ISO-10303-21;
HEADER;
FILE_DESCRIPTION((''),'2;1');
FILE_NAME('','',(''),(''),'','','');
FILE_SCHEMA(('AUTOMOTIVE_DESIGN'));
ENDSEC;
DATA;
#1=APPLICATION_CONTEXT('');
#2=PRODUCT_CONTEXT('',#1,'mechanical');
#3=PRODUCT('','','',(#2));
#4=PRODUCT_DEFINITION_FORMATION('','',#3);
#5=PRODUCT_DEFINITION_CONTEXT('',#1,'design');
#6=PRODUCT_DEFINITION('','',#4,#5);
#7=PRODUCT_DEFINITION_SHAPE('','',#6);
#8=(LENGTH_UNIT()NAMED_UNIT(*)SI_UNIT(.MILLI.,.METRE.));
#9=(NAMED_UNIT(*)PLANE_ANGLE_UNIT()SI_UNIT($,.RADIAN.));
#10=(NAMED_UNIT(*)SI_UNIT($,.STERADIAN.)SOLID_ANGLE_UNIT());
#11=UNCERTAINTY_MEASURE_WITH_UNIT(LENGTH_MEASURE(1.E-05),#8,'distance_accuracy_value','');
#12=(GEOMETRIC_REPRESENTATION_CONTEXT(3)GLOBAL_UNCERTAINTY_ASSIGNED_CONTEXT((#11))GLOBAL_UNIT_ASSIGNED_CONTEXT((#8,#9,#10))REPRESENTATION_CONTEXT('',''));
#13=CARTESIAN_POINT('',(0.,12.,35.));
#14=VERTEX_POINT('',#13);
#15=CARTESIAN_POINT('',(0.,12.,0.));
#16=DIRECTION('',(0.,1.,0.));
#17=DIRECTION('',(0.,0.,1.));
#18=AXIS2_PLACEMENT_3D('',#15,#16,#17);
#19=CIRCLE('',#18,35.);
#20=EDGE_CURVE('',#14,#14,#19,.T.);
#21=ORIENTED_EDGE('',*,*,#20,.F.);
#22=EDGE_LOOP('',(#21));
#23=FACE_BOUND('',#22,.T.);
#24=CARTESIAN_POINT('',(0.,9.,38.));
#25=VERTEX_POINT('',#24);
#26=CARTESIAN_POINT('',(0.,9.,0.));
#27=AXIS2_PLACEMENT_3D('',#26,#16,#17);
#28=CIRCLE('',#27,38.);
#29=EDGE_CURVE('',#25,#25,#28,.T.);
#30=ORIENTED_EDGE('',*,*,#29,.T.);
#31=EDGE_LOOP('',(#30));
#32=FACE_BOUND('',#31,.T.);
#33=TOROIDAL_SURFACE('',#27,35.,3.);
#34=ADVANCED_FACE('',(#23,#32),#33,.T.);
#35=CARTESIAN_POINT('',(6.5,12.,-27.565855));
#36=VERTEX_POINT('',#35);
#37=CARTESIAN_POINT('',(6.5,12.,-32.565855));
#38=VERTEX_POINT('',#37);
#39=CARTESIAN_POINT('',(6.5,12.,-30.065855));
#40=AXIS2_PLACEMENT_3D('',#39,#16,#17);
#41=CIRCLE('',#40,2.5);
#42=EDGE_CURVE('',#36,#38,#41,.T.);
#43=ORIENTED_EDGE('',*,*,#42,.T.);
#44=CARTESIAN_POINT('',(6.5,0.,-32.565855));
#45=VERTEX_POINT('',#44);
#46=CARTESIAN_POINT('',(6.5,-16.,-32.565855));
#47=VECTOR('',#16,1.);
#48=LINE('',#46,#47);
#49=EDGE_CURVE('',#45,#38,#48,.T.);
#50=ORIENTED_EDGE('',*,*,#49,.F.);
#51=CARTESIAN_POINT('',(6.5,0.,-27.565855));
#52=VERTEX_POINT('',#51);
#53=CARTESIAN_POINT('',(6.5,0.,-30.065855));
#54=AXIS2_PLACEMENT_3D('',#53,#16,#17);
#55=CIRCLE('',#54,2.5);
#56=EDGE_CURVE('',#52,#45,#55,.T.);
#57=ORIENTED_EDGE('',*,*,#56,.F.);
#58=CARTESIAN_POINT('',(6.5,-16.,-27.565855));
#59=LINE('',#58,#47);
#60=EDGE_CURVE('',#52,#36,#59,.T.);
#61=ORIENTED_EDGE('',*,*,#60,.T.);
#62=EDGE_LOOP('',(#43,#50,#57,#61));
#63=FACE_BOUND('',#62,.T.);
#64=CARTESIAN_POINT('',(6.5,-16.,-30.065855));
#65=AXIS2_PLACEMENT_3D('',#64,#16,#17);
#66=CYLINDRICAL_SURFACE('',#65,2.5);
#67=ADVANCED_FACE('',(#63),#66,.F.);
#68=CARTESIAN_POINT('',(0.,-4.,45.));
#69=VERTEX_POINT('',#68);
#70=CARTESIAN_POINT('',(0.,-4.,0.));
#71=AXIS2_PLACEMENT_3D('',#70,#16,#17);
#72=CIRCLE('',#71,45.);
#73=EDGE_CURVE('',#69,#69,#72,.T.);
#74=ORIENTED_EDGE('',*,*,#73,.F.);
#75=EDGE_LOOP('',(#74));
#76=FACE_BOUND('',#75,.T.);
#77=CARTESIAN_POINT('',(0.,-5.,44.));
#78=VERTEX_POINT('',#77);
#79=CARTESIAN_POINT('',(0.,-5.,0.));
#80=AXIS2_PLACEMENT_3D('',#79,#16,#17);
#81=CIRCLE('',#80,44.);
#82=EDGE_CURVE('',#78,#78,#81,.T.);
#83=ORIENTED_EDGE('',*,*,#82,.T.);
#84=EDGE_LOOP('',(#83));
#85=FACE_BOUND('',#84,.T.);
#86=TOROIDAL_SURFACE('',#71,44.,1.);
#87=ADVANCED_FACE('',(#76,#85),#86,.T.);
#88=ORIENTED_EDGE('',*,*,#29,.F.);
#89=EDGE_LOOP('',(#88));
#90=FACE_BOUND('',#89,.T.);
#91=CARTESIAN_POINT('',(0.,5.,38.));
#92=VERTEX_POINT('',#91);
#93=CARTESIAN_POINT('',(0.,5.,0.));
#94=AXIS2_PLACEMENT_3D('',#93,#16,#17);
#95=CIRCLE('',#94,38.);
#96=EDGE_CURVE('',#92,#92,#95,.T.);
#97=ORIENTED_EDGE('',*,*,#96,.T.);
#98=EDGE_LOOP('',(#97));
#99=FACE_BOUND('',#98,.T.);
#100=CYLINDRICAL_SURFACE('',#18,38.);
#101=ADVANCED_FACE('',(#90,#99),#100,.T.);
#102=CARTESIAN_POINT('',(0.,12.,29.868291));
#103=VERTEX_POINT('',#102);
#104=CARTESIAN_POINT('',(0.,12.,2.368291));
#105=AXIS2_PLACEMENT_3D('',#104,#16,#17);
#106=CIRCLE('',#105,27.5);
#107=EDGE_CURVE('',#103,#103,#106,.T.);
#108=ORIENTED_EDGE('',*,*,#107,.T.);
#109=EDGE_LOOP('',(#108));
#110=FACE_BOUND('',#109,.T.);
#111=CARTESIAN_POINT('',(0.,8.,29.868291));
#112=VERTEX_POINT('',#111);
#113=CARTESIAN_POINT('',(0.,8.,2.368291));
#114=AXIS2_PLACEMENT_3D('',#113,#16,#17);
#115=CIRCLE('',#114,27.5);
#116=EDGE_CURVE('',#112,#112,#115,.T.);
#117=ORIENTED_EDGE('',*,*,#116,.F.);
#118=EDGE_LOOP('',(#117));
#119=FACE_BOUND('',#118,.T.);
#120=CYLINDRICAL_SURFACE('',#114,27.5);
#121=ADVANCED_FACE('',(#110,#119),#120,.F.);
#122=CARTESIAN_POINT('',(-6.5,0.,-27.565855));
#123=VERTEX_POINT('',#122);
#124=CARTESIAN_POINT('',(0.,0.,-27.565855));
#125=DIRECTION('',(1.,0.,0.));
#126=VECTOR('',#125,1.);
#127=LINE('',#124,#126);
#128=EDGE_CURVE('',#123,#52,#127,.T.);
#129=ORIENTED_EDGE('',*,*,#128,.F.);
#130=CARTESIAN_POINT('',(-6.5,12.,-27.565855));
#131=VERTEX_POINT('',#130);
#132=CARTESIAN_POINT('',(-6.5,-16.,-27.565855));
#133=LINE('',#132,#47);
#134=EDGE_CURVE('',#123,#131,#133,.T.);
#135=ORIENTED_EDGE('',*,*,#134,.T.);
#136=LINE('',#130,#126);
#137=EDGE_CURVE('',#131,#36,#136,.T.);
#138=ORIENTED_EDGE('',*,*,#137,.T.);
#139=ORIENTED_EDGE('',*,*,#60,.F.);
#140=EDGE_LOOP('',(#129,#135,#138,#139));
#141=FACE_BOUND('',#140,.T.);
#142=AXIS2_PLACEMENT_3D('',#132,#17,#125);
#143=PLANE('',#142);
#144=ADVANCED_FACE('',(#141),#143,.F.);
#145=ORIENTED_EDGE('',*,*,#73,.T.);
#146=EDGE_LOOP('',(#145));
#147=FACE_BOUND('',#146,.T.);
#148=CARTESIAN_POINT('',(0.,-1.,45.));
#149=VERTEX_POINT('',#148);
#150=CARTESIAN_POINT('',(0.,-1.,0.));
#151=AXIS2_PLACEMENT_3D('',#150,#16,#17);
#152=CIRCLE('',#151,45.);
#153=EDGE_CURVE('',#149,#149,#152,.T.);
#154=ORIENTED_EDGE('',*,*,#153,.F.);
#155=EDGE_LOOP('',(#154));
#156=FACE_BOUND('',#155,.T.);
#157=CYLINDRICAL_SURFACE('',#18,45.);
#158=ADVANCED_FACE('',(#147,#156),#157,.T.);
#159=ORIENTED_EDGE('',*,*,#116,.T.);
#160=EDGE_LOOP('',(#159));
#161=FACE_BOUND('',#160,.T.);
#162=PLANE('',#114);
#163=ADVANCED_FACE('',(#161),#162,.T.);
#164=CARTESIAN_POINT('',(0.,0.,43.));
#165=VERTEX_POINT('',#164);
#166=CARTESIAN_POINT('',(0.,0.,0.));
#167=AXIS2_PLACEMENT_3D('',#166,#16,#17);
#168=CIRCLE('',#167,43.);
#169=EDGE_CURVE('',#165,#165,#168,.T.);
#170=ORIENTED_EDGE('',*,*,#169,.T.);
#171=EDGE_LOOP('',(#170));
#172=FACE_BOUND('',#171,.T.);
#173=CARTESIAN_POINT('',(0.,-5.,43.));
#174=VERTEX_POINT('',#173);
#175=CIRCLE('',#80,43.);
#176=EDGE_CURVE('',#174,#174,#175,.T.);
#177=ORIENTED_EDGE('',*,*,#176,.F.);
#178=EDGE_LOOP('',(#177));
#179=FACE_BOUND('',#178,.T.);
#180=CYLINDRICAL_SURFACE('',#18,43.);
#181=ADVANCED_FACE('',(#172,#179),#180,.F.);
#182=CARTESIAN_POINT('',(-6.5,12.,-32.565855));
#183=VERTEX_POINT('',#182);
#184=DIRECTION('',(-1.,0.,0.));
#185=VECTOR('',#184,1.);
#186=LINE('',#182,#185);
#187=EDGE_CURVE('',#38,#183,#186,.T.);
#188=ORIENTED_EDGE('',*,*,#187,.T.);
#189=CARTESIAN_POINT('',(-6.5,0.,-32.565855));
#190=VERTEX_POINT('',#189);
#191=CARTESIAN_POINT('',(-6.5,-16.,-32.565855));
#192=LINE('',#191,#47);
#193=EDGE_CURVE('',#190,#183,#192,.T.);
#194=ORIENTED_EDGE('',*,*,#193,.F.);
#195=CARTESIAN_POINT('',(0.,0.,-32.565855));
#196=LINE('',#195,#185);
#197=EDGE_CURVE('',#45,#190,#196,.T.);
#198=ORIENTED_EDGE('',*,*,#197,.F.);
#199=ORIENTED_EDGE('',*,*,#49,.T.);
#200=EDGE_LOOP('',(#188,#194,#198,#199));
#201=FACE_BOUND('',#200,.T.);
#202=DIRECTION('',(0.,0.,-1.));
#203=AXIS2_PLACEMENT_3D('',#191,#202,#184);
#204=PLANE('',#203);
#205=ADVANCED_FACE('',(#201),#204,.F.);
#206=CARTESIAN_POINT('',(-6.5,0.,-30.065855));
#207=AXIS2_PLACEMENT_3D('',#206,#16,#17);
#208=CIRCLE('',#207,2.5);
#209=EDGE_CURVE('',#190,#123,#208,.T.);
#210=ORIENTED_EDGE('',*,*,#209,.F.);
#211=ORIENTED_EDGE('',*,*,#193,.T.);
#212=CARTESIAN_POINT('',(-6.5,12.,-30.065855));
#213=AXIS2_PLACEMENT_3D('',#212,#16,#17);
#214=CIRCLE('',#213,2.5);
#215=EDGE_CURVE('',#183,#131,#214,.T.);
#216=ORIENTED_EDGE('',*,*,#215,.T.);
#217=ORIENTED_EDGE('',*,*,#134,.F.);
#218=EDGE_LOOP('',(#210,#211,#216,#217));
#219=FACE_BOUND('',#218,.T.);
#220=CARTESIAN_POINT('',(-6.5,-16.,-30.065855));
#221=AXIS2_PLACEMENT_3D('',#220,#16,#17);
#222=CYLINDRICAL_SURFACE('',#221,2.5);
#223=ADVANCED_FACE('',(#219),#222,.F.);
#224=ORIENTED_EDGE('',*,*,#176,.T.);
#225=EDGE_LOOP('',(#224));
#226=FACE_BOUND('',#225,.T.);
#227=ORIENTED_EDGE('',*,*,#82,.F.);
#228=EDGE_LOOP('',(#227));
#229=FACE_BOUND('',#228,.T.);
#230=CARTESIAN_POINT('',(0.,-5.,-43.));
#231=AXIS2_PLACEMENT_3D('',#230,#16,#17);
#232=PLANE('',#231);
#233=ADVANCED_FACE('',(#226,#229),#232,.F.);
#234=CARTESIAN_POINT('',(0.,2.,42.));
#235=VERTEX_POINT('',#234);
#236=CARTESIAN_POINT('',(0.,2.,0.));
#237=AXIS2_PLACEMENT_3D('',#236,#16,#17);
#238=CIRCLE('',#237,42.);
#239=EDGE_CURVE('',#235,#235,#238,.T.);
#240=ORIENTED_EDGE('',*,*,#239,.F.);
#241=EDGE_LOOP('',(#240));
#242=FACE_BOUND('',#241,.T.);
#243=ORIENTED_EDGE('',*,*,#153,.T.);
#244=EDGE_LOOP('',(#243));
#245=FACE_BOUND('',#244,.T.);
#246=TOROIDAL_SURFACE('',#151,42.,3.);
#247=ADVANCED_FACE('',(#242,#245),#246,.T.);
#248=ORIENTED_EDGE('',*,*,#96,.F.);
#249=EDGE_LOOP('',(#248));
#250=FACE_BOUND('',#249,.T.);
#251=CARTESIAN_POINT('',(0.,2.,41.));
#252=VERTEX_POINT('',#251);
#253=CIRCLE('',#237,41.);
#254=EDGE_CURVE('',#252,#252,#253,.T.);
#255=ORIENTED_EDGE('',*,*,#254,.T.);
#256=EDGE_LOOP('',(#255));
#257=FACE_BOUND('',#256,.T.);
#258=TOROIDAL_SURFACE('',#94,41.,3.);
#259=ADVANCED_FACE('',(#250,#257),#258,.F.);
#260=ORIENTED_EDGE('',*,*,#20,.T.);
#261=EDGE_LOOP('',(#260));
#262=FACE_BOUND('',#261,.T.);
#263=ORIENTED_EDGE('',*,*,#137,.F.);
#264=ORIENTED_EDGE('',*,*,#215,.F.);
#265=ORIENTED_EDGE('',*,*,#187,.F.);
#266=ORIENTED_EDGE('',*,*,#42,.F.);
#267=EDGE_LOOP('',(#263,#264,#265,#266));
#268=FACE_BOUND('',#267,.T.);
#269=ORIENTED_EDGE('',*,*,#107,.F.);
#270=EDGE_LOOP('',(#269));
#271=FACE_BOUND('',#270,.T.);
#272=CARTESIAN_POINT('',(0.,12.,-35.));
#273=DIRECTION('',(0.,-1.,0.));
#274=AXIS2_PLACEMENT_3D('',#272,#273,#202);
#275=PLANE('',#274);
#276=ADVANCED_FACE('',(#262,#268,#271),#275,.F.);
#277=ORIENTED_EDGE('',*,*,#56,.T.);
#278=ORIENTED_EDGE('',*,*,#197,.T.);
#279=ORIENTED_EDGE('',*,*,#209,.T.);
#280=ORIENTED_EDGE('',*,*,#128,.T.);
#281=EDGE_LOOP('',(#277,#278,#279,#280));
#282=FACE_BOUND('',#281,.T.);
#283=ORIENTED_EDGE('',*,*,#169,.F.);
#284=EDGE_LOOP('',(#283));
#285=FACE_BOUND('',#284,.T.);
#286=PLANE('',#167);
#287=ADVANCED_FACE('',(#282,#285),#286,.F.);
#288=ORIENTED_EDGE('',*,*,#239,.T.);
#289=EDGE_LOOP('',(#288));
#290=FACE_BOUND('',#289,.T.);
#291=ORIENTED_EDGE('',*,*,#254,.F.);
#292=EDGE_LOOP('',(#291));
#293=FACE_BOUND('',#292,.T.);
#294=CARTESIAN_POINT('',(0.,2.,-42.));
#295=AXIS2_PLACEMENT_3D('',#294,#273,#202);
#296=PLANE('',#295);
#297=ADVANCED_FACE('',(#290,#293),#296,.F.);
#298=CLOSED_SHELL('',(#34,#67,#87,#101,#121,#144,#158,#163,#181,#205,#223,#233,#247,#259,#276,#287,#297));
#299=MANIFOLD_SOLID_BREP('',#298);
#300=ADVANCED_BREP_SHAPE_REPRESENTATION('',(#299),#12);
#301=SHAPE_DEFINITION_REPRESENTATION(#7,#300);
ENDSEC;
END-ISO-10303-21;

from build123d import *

# Parameters (mm, degrees)
SKETCH2_R          = 27.5
CUT_EXTRUDE1_DEPTH = 4
CUT_EXTRUDE2_DEPTH = 28


with BuildPart() as part:
    # Sketch1 → Revolve1 (revolve)
    with BuildSketch(Plane(origin=(0, 0, 0), x_dir=(0, 0, -1), z_dir=(1, 0, 0))):
        with BuildLine():
            Line((0, 0), (43, 0))
            Line((43, 0), (43, -5))
            Line((43, -5), (44, -5))
            ThreePointArc((44, -5), (44.707106781, -4.707106781), (45, -4))
            Line((45, -4), (45, -1))
            ThreePointArc((45, -1), (44.121320344, 1.121320344), (42, 2))
            Line((42, 2), (41, 2))
            ThreePointArc((41, 2), (38.878679656, 2.878679656), (38, 5))
            Line((38, 5), (38, 9))
            ThreePointArc((38, 9), (37.121320344, 11.121320344), (35, 12))
            Line((35, 12), (0, 12))
            Line((0, 12), (0, 0))
        make_face()
    revolve(axis=Axis((0, 12, 0), (0, -1, 0)))

    # Sketch2 → Cut-Extrude1 (cut)
    with BuildSketch(Plane(origin=(0, 12, 0), x_dir=(1, 0, 0), z_dir=(0, 1, 0))):
        with Locations((0, -2.368290616)):
            Circle(SKETCH2_R)
    extrude(amount=-CUT_EXTRUDE1_DEPTH, mode=Mode.SUBTRACT)

    # Sketch3 → Cut-Extrude2 (cut)
    with BuildSketch(Plane(origin=(0, 12, 0), x_dir=(1, 0, 0), z_dir=(0, 1, 0))):
        with BuildLine():
            Line((-6.5, 32.565854692), (6.5, 32.565854692))
            ThreePointArc((6.5, 32.565854692), (9, 30.065854692), (6.5, 27.565854692))
            Line((6.5, 27.565854692), (-6.5, 27.565854692))
            ThreePointArc((-6.5, 27.565854692), (-9, 30.065854692), (-6.5, 32.565854692))
        make_face()
    extrude(amount=-CUT_EXTRUDE2_DEPTH, mode=Mode.SUBTRACT)


solid = part.part
